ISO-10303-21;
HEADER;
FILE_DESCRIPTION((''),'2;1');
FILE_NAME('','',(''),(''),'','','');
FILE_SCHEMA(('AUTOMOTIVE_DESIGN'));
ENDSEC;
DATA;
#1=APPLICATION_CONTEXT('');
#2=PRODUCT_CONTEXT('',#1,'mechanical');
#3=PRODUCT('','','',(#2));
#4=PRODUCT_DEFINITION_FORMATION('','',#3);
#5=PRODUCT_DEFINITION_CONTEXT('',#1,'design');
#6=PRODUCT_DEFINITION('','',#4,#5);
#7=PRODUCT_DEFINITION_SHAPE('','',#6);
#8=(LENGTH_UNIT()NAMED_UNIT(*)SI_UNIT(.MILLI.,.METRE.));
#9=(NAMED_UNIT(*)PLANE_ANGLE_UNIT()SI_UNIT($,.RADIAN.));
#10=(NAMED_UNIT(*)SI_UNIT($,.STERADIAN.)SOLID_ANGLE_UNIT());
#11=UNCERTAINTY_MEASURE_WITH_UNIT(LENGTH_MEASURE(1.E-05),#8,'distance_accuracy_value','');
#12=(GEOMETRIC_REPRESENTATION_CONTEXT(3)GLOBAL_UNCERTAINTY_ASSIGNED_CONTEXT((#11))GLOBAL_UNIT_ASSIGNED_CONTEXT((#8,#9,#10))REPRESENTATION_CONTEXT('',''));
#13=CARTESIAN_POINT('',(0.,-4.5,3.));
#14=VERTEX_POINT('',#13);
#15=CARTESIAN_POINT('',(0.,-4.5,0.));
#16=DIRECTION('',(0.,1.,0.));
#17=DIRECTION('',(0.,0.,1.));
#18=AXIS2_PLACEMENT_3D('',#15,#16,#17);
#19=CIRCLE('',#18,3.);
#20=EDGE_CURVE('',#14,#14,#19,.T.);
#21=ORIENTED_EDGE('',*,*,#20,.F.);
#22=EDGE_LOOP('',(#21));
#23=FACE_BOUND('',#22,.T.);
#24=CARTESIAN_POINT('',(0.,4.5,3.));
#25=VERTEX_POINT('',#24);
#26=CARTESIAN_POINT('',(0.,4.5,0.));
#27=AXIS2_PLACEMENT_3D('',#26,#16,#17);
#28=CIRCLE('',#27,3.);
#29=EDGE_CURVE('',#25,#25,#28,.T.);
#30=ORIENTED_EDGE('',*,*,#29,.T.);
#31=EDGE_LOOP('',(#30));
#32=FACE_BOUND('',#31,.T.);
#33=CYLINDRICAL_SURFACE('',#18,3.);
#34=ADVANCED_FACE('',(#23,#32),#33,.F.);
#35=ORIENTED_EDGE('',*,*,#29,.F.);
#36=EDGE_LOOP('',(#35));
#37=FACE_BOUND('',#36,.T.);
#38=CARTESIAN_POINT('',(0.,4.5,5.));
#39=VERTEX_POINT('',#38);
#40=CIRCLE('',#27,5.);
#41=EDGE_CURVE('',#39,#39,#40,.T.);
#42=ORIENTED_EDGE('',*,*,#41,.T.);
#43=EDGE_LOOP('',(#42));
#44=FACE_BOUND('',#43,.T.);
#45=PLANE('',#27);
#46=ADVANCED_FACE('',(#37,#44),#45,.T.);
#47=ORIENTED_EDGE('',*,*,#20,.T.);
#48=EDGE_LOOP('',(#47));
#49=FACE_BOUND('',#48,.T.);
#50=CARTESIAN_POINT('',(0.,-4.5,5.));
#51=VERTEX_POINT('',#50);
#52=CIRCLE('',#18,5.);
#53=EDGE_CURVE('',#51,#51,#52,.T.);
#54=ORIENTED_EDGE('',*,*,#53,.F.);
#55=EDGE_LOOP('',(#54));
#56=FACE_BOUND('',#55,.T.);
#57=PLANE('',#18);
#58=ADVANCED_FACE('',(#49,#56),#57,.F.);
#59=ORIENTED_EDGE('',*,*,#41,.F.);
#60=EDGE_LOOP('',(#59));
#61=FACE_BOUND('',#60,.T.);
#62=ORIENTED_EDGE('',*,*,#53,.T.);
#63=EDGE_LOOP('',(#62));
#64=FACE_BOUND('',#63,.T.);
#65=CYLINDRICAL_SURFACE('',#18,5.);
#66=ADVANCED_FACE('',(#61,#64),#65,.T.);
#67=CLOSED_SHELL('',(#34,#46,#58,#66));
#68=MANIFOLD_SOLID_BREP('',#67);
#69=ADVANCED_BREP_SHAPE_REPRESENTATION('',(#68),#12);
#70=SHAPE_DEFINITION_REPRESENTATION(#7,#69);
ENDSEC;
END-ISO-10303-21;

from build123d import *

# Parameters (mm, degrees)
BOSS_EXTRUDE1_DEPTH      = 4.5
BOSS_EXTRUDE1_DEPTH_BACK = 4.5
SKETCH1_R                = 5
SKETCH1_R_2              = 3


with BuildPart() as part:
    # Sketch1 → Boss-Extrude1 (new, two sides: drawn at the far end of the back side and taken through both)
    with BuildSketch(Plane(origin=(0, 0, 0), x_dir=(1, 0, 0), z_dir=(0, 1, 0)).offset(-BOSS_EXTRUDE1_DEPTH_BACK)):
        Circle(SKETCH1_R)
        Circle(SKETCH1_R_2, mode=Mode.SUBTRACT)
    extrude(amount=BOSS_EXTRUDE1_DEPTH + BOSS_EXTRUDE1_DEPTH_BACK)


solid = part.part
